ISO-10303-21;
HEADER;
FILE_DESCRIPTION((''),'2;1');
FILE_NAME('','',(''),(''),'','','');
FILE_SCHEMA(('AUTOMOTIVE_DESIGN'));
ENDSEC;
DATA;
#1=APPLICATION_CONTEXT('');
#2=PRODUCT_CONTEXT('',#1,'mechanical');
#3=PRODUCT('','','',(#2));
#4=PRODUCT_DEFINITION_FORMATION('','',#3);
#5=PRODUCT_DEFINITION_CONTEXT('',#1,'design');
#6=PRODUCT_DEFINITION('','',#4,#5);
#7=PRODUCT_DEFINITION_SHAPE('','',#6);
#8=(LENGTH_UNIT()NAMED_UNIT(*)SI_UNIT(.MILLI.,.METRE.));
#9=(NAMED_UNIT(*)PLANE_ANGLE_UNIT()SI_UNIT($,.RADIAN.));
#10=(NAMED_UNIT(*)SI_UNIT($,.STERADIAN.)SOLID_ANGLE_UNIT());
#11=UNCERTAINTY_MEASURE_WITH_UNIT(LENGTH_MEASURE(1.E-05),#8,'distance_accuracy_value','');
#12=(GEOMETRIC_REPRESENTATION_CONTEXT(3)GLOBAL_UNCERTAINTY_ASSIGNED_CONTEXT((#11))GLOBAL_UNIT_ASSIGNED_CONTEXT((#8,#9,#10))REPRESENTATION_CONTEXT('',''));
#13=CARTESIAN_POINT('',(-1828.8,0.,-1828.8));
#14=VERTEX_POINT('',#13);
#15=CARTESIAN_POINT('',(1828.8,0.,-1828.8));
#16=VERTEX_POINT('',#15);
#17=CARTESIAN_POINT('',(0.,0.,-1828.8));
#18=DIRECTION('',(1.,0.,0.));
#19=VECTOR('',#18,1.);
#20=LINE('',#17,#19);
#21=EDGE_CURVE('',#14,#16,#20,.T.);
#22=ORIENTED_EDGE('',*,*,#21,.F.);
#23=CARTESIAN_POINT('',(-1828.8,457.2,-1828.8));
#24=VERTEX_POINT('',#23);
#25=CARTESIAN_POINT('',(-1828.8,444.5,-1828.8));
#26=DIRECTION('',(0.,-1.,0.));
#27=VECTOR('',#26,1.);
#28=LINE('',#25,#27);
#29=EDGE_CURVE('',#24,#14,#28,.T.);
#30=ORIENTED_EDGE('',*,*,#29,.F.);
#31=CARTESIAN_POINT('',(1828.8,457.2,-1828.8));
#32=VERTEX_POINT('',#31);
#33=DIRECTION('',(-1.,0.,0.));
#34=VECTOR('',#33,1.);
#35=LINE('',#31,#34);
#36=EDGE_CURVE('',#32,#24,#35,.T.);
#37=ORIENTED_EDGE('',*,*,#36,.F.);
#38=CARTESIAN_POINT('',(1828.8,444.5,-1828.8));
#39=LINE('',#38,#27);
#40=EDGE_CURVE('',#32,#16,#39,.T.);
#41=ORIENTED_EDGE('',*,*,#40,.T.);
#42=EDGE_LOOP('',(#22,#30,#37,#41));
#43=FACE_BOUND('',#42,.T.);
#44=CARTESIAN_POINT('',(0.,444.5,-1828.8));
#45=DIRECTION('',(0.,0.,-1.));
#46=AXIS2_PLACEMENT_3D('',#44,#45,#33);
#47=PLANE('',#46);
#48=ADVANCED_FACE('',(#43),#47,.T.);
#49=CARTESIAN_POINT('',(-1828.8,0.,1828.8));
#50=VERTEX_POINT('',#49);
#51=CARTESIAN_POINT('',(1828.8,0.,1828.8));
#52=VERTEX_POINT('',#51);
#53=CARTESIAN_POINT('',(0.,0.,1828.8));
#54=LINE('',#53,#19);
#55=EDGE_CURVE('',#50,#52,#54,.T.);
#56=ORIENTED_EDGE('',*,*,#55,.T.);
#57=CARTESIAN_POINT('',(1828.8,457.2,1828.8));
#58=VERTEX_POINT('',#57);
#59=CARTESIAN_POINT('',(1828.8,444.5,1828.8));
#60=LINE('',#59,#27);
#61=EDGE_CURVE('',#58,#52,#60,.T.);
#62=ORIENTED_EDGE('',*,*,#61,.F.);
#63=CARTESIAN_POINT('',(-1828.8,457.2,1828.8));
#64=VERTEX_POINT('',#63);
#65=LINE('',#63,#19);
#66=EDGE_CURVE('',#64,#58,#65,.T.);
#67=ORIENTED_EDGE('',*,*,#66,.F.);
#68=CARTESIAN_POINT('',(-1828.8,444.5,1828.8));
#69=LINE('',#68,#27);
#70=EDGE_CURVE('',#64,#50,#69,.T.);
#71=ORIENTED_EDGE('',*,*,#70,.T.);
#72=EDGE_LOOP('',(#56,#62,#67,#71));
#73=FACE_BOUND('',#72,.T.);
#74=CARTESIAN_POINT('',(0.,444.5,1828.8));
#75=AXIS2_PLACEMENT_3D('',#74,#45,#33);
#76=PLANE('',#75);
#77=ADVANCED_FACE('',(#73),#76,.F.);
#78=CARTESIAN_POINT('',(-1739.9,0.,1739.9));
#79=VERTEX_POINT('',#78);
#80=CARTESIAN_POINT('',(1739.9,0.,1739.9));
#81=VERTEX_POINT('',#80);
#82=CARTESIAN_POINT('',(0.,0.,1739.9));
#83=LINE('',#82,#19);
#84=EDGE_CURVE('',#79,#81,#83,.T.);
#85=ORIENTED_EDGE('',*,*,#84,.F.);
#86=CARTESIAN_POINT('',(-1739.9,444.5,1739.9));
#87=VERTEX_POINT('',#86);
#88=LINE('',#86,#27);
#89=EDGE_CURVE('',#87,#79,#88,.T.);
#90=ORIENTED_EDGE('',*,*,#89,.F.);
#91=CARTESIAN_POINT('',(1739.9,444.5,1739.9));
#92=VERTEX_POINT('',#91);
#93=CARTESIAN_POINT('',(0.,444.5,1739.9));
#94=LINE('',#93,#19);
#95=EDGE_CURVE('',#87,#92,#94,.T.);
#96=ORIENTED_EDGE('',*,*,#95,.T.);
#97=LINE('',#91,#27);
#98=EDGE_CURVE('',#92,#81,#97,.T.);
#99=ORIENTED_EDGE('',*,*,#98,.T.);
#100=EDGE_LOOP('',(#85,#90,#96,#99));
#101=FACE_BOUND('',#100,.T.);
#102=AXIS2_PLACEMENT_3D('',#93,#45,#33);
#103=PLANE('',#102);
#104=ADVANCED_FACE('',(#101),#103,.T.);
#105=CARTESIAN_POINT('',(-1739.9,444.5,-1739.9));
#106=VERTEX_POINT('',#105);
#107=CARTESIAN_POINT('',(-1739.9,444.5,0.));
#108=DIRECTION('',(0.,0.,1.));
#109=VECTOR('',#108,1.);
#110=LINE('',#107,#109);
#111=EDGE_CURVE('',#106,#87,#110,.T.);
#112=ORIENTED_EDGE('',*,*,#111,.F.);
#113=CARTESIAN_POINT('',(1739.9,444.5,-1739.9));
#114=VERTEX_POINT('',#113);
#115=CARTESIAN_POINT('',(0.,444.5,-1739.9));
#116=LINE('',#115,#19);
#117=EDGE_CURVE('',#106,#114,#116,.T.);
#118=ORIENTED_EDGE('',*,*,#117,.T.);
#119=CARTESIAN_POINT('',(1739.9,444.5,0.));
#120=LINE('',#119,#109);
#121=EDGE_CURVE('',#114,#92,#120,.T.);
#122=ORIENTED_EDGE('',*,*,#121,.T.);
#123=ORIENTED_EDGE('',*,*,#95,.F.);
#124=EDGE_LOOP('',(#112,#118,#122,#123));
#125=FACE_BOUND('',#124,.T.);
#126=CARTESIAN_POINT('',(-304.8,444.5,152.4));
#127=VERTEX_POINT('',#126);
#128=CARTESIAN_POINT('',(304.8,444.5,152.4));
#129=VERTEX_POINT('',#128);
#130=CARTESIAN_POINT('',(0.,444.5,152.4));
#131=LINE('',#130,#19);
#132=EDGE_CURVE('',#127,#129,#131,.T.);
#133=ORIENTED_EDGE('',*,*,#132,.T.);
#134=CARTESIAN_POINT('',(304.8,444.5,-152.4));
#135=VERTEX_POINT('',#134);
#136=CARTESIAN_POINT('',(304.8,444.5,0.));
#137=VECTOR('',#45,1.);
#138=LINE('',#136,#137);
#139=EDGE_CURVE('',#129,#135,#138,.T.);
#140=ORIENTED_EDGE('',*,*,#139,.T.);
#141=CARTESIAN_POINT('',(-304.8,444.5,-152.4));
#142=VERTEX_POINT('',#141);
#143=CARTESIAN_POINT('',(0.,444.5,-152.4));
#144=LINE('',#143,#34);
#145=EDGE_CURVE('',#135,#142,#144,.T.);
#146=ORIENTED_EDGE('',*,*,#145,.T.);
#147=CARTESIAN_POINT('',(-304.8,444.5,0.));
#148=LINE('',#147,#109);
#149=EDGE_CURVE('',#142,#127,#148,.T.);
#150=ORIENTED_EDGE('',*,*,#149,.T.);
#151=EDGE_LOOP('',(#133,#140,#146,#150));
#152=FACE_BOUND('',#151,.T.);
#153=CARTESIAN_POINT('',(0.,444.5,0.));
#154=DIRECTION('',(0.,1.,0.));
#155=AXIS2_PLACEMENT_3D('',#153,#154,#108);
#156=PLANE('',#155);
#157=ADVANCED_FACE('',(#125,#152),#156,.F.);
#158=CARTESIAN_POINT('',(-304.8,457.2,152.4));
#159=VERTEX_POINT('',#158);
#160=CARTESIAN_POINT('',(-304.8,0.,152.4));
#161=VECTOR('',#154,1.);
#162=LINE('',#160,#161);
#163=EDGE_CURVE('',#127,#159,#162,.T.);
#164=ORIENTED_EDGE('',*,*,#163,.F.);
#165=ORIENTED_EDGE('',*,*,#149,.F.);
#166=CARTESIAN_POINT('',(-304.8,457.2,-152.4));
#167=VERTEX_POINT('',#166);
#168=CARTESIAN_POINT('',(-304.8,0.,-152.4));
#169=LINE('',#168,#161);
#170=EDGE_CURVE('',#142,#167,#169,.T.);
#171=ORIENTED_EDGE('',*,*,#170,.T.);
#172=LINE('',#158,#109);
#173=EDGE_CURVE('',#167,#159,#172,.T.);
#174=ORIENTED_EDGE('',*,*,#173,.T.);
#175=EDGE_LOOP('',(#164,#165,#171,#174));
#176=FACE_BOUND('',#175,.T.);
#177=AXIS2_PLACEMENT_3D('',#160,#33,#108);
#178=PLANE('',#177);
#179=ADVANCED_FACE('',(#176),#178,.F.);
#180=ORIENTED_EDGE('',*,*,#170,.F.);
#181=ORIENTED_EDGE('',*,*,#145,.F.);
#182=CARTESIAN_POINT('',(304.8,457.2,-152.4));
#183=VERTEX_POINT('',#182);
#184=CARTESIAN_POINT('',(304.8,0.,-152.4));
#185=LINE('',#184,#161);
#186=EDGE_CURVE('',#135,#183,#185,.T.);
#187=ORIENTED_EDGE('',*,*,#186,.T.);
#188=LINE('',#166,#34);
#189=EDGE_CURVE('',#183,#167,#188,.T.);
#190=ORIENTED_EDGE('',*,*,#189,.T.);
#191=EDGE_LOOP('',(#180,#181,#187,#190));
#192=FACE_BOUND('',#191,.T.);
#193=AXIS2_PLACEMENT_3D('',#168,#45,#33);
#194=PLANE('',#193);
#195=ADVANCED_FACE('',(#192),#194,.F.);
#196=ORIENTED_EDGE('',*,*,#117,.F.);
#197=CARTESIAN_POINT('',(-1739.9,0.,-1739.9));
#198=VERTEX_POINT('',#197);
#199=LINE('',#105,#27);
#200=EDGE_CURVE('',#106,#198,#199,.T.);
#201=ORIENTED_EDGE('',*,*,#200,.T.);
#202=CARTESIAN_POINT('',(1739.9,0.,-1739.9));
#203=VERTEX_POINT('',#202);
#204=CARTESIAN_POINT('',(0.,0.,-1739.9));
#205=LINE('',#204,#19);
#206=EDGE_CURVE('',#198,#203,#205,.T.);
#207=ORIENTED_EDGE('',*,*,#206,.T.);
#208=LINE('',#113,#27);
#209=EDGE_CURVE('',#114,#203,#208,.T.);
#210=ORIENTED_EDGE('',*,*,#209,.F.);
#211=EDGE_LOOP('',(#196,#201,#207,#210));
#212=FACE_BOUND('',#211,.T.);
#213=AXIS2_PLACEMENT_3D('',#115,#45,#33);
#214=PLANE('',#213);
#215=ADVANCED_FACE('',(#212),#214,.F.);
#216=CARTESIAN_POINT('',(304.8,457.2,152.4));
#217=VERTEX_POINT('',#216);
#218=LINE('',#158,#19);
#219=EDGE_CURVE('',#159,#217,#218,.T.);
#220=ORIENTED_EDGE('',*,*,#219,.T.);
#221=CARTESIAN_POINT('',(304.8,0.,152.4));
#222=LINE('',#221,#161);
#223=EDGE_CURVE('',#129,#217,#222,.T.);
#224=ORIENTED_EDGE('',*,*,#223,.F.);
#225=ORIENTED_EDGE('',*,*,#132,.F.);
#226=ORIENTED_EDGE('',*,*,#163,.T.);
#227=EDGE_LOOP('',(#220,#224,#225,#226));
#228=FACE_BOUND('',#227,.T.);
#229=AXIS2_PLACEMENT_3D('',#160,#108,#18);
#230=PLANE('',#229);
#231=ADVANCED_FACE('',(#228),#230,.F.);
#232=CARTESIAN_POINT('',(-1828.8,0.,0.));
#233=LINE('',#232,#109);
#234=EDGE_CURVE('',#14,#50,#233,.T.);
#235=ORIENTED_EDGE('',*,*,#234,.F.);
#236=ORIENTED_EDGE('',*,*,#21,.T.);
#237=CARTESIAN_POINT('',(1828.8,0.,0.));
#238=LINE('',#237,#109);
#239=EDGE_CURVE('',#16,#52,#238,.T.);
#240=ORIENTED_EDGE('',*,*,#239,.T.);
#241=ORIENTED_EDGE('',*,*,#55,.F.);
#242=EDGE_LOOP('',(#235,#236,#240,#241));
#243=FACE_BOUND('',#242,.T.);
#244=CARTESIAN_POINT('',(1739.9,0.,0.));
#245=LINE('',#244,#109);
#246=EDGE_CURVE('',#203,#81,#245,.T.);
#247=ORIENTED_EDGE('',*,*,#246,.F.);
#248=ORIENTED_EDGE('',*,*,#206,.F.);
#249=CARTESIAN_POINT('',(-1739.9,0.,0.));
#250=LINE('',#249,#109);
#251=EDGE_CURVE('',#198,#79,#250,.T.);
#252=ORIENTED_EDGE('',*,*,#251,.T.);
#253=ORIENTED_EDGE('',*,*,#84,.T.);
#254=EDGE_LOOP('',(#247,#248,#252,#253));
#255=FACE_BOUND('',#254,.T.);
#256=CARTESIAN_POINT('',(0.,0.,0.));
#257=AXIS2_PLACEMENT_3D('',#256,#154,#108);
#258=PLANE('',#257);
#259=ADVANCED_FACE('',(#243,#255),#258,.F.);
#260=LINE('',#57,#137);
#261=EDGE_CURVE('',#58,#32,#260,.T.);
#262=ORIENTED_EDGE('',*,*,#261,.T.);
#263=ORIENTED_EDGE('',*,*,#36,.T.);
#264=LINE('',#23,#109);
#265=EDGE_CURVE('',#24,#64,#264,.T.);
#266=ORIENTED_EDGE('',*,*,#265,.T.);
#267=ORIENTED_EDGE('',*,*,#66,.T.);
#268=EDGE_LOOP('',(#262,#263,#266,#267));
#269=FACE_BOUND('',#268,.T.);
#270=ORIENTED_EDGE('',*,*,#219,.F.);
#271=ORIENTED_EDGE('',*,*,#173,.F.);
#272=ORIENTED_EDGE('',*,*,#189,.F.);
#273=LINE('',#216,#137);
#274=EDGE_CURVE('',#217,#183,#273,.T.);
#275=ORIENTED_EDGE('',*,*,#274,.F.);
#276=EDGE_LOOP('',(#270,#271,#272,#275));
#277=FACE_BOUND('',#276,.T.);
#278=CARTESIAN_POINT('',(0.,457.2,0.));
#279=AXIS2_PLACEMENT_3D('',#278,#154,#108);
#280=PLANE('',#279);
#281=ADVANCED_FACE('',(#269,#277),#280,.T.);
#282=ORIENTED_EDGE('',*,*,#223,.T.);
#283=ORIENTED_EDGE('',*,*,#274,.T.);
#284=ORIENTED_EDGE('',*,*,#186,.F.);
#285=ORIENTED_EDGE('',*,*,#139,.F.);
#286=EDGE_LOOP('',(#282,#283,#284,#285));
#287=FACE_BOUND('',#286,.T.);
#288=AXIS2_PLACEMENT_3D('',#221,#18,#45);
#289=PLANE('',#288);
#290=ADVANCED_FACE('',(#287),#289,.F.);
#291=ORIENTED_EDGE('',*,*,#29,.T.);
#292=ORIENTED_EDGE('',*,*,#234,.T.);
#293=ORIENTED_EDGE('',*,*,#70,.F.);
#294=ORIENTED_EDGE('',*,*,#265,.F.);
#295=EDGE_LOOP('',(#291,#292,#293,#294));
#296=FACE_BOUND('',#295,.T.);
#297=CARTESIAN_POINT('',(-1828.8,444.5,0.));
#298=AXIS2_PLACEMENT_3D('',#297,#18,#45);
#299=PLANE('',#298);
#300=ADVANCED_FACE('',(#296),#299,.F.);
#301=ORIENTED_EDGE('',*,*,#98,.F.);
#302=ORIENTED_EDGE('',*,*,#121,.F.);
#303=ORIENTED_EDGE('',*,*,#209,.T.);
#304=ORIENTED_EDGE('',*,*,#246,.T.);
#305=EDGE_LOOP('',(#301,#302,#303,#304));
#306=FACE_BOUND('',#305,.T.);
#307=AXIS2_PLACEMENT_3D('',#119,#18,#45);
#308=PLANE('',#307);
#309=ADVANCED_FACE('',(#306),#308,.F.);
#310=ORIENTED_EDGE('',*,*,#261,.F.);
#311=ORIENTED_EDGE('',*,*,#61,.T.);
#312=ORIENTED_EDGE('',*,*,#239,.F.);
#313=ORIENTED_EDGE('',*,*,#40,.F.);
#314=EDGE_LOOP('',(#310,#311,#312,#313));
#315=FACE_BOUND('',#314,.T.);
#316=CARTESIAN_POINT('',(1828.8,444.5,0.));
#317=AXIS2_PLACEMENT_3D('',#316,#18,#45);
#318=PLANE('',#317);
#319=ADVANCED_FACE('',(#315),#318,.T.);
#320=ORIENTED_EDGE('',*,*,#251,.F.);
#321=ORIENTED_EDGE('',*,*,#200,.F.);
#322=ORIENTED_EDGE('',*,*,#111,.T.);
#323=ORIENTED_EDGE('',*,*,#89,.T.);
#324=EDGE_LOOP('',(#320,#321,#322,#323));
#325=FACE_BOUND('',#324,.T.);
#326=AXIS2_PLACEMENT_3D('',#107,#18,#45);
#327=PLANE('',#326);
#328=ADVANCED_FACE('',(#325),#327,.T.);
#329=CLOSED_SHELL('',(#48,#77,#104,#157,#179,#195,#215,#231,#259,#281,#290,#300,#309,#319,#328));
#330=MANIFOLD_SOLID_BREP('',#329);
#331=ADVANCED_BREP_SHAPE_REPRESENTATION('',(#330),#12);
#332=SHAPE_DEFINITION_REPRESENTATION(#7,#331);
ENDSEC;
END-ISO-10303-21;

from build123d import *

# Parameters (mm, degrees)
SKETCH1_W           = 3657.6
SKETCH1_H           = 3657.6
SKETCH1_W_2         = 3479.8
SKETCH1_H_2         = 3479.8
BOSS_EXTRUDE1_DEPTH = 444.5
SKETCH2_W           = 3657.6
SKETCH2_H           = 3657.6
BOSS_EXTRUDE2_DEPTH = 12.7
SKETCH3_W           = 609.6
SKETCH3_H           = 304.8
CUT_EXTRUDE1_DEPTH  = 2627.414041997


with BuildPart() as part:
    # Sketch1 → Boss-Extrude1 (new body)
    with BuildSketch(Plane(origin=(0, 0, 0), x_dir=(1, 0, 0), z_dir=(0, 1, 0))):
        Rectangle(SKETCH1_W, SKETCH1_H)
        Rectangle(SKETCH1_W_2, SKETCH1_H_2, mode=Mode.SUBTRACT)
    extrude(amount=BOSS_EXTRUDE1_DEPTH)

    # Sketch2 → Boss-Extrude2 (add)
    with BuildSketch(Plane(origin=(0, 444.5, 0), x_dir=(1, 0, 0), z_dir=(0, 1, 0))):
        Rectangle(SKETCH2_W, SKETCH2_H)
    extrude(amount=BOSS_EXTRUDE2_DEPTH)

    # Sketch3 → Cut-Extrude1 (cut, through all)
    with BuildSketch(Plane(origin=(0, 457.2, 0), x_dir=(1, 0, 0), z_dir=(0, 1, 0))):
        Rectangle(SKETCH3_W, SKETCH3_H)
    extrude(amount=-CUT_EXTRUDE1_DEPTH, mode=Mode.SUBTRACT)


solid = part.part
